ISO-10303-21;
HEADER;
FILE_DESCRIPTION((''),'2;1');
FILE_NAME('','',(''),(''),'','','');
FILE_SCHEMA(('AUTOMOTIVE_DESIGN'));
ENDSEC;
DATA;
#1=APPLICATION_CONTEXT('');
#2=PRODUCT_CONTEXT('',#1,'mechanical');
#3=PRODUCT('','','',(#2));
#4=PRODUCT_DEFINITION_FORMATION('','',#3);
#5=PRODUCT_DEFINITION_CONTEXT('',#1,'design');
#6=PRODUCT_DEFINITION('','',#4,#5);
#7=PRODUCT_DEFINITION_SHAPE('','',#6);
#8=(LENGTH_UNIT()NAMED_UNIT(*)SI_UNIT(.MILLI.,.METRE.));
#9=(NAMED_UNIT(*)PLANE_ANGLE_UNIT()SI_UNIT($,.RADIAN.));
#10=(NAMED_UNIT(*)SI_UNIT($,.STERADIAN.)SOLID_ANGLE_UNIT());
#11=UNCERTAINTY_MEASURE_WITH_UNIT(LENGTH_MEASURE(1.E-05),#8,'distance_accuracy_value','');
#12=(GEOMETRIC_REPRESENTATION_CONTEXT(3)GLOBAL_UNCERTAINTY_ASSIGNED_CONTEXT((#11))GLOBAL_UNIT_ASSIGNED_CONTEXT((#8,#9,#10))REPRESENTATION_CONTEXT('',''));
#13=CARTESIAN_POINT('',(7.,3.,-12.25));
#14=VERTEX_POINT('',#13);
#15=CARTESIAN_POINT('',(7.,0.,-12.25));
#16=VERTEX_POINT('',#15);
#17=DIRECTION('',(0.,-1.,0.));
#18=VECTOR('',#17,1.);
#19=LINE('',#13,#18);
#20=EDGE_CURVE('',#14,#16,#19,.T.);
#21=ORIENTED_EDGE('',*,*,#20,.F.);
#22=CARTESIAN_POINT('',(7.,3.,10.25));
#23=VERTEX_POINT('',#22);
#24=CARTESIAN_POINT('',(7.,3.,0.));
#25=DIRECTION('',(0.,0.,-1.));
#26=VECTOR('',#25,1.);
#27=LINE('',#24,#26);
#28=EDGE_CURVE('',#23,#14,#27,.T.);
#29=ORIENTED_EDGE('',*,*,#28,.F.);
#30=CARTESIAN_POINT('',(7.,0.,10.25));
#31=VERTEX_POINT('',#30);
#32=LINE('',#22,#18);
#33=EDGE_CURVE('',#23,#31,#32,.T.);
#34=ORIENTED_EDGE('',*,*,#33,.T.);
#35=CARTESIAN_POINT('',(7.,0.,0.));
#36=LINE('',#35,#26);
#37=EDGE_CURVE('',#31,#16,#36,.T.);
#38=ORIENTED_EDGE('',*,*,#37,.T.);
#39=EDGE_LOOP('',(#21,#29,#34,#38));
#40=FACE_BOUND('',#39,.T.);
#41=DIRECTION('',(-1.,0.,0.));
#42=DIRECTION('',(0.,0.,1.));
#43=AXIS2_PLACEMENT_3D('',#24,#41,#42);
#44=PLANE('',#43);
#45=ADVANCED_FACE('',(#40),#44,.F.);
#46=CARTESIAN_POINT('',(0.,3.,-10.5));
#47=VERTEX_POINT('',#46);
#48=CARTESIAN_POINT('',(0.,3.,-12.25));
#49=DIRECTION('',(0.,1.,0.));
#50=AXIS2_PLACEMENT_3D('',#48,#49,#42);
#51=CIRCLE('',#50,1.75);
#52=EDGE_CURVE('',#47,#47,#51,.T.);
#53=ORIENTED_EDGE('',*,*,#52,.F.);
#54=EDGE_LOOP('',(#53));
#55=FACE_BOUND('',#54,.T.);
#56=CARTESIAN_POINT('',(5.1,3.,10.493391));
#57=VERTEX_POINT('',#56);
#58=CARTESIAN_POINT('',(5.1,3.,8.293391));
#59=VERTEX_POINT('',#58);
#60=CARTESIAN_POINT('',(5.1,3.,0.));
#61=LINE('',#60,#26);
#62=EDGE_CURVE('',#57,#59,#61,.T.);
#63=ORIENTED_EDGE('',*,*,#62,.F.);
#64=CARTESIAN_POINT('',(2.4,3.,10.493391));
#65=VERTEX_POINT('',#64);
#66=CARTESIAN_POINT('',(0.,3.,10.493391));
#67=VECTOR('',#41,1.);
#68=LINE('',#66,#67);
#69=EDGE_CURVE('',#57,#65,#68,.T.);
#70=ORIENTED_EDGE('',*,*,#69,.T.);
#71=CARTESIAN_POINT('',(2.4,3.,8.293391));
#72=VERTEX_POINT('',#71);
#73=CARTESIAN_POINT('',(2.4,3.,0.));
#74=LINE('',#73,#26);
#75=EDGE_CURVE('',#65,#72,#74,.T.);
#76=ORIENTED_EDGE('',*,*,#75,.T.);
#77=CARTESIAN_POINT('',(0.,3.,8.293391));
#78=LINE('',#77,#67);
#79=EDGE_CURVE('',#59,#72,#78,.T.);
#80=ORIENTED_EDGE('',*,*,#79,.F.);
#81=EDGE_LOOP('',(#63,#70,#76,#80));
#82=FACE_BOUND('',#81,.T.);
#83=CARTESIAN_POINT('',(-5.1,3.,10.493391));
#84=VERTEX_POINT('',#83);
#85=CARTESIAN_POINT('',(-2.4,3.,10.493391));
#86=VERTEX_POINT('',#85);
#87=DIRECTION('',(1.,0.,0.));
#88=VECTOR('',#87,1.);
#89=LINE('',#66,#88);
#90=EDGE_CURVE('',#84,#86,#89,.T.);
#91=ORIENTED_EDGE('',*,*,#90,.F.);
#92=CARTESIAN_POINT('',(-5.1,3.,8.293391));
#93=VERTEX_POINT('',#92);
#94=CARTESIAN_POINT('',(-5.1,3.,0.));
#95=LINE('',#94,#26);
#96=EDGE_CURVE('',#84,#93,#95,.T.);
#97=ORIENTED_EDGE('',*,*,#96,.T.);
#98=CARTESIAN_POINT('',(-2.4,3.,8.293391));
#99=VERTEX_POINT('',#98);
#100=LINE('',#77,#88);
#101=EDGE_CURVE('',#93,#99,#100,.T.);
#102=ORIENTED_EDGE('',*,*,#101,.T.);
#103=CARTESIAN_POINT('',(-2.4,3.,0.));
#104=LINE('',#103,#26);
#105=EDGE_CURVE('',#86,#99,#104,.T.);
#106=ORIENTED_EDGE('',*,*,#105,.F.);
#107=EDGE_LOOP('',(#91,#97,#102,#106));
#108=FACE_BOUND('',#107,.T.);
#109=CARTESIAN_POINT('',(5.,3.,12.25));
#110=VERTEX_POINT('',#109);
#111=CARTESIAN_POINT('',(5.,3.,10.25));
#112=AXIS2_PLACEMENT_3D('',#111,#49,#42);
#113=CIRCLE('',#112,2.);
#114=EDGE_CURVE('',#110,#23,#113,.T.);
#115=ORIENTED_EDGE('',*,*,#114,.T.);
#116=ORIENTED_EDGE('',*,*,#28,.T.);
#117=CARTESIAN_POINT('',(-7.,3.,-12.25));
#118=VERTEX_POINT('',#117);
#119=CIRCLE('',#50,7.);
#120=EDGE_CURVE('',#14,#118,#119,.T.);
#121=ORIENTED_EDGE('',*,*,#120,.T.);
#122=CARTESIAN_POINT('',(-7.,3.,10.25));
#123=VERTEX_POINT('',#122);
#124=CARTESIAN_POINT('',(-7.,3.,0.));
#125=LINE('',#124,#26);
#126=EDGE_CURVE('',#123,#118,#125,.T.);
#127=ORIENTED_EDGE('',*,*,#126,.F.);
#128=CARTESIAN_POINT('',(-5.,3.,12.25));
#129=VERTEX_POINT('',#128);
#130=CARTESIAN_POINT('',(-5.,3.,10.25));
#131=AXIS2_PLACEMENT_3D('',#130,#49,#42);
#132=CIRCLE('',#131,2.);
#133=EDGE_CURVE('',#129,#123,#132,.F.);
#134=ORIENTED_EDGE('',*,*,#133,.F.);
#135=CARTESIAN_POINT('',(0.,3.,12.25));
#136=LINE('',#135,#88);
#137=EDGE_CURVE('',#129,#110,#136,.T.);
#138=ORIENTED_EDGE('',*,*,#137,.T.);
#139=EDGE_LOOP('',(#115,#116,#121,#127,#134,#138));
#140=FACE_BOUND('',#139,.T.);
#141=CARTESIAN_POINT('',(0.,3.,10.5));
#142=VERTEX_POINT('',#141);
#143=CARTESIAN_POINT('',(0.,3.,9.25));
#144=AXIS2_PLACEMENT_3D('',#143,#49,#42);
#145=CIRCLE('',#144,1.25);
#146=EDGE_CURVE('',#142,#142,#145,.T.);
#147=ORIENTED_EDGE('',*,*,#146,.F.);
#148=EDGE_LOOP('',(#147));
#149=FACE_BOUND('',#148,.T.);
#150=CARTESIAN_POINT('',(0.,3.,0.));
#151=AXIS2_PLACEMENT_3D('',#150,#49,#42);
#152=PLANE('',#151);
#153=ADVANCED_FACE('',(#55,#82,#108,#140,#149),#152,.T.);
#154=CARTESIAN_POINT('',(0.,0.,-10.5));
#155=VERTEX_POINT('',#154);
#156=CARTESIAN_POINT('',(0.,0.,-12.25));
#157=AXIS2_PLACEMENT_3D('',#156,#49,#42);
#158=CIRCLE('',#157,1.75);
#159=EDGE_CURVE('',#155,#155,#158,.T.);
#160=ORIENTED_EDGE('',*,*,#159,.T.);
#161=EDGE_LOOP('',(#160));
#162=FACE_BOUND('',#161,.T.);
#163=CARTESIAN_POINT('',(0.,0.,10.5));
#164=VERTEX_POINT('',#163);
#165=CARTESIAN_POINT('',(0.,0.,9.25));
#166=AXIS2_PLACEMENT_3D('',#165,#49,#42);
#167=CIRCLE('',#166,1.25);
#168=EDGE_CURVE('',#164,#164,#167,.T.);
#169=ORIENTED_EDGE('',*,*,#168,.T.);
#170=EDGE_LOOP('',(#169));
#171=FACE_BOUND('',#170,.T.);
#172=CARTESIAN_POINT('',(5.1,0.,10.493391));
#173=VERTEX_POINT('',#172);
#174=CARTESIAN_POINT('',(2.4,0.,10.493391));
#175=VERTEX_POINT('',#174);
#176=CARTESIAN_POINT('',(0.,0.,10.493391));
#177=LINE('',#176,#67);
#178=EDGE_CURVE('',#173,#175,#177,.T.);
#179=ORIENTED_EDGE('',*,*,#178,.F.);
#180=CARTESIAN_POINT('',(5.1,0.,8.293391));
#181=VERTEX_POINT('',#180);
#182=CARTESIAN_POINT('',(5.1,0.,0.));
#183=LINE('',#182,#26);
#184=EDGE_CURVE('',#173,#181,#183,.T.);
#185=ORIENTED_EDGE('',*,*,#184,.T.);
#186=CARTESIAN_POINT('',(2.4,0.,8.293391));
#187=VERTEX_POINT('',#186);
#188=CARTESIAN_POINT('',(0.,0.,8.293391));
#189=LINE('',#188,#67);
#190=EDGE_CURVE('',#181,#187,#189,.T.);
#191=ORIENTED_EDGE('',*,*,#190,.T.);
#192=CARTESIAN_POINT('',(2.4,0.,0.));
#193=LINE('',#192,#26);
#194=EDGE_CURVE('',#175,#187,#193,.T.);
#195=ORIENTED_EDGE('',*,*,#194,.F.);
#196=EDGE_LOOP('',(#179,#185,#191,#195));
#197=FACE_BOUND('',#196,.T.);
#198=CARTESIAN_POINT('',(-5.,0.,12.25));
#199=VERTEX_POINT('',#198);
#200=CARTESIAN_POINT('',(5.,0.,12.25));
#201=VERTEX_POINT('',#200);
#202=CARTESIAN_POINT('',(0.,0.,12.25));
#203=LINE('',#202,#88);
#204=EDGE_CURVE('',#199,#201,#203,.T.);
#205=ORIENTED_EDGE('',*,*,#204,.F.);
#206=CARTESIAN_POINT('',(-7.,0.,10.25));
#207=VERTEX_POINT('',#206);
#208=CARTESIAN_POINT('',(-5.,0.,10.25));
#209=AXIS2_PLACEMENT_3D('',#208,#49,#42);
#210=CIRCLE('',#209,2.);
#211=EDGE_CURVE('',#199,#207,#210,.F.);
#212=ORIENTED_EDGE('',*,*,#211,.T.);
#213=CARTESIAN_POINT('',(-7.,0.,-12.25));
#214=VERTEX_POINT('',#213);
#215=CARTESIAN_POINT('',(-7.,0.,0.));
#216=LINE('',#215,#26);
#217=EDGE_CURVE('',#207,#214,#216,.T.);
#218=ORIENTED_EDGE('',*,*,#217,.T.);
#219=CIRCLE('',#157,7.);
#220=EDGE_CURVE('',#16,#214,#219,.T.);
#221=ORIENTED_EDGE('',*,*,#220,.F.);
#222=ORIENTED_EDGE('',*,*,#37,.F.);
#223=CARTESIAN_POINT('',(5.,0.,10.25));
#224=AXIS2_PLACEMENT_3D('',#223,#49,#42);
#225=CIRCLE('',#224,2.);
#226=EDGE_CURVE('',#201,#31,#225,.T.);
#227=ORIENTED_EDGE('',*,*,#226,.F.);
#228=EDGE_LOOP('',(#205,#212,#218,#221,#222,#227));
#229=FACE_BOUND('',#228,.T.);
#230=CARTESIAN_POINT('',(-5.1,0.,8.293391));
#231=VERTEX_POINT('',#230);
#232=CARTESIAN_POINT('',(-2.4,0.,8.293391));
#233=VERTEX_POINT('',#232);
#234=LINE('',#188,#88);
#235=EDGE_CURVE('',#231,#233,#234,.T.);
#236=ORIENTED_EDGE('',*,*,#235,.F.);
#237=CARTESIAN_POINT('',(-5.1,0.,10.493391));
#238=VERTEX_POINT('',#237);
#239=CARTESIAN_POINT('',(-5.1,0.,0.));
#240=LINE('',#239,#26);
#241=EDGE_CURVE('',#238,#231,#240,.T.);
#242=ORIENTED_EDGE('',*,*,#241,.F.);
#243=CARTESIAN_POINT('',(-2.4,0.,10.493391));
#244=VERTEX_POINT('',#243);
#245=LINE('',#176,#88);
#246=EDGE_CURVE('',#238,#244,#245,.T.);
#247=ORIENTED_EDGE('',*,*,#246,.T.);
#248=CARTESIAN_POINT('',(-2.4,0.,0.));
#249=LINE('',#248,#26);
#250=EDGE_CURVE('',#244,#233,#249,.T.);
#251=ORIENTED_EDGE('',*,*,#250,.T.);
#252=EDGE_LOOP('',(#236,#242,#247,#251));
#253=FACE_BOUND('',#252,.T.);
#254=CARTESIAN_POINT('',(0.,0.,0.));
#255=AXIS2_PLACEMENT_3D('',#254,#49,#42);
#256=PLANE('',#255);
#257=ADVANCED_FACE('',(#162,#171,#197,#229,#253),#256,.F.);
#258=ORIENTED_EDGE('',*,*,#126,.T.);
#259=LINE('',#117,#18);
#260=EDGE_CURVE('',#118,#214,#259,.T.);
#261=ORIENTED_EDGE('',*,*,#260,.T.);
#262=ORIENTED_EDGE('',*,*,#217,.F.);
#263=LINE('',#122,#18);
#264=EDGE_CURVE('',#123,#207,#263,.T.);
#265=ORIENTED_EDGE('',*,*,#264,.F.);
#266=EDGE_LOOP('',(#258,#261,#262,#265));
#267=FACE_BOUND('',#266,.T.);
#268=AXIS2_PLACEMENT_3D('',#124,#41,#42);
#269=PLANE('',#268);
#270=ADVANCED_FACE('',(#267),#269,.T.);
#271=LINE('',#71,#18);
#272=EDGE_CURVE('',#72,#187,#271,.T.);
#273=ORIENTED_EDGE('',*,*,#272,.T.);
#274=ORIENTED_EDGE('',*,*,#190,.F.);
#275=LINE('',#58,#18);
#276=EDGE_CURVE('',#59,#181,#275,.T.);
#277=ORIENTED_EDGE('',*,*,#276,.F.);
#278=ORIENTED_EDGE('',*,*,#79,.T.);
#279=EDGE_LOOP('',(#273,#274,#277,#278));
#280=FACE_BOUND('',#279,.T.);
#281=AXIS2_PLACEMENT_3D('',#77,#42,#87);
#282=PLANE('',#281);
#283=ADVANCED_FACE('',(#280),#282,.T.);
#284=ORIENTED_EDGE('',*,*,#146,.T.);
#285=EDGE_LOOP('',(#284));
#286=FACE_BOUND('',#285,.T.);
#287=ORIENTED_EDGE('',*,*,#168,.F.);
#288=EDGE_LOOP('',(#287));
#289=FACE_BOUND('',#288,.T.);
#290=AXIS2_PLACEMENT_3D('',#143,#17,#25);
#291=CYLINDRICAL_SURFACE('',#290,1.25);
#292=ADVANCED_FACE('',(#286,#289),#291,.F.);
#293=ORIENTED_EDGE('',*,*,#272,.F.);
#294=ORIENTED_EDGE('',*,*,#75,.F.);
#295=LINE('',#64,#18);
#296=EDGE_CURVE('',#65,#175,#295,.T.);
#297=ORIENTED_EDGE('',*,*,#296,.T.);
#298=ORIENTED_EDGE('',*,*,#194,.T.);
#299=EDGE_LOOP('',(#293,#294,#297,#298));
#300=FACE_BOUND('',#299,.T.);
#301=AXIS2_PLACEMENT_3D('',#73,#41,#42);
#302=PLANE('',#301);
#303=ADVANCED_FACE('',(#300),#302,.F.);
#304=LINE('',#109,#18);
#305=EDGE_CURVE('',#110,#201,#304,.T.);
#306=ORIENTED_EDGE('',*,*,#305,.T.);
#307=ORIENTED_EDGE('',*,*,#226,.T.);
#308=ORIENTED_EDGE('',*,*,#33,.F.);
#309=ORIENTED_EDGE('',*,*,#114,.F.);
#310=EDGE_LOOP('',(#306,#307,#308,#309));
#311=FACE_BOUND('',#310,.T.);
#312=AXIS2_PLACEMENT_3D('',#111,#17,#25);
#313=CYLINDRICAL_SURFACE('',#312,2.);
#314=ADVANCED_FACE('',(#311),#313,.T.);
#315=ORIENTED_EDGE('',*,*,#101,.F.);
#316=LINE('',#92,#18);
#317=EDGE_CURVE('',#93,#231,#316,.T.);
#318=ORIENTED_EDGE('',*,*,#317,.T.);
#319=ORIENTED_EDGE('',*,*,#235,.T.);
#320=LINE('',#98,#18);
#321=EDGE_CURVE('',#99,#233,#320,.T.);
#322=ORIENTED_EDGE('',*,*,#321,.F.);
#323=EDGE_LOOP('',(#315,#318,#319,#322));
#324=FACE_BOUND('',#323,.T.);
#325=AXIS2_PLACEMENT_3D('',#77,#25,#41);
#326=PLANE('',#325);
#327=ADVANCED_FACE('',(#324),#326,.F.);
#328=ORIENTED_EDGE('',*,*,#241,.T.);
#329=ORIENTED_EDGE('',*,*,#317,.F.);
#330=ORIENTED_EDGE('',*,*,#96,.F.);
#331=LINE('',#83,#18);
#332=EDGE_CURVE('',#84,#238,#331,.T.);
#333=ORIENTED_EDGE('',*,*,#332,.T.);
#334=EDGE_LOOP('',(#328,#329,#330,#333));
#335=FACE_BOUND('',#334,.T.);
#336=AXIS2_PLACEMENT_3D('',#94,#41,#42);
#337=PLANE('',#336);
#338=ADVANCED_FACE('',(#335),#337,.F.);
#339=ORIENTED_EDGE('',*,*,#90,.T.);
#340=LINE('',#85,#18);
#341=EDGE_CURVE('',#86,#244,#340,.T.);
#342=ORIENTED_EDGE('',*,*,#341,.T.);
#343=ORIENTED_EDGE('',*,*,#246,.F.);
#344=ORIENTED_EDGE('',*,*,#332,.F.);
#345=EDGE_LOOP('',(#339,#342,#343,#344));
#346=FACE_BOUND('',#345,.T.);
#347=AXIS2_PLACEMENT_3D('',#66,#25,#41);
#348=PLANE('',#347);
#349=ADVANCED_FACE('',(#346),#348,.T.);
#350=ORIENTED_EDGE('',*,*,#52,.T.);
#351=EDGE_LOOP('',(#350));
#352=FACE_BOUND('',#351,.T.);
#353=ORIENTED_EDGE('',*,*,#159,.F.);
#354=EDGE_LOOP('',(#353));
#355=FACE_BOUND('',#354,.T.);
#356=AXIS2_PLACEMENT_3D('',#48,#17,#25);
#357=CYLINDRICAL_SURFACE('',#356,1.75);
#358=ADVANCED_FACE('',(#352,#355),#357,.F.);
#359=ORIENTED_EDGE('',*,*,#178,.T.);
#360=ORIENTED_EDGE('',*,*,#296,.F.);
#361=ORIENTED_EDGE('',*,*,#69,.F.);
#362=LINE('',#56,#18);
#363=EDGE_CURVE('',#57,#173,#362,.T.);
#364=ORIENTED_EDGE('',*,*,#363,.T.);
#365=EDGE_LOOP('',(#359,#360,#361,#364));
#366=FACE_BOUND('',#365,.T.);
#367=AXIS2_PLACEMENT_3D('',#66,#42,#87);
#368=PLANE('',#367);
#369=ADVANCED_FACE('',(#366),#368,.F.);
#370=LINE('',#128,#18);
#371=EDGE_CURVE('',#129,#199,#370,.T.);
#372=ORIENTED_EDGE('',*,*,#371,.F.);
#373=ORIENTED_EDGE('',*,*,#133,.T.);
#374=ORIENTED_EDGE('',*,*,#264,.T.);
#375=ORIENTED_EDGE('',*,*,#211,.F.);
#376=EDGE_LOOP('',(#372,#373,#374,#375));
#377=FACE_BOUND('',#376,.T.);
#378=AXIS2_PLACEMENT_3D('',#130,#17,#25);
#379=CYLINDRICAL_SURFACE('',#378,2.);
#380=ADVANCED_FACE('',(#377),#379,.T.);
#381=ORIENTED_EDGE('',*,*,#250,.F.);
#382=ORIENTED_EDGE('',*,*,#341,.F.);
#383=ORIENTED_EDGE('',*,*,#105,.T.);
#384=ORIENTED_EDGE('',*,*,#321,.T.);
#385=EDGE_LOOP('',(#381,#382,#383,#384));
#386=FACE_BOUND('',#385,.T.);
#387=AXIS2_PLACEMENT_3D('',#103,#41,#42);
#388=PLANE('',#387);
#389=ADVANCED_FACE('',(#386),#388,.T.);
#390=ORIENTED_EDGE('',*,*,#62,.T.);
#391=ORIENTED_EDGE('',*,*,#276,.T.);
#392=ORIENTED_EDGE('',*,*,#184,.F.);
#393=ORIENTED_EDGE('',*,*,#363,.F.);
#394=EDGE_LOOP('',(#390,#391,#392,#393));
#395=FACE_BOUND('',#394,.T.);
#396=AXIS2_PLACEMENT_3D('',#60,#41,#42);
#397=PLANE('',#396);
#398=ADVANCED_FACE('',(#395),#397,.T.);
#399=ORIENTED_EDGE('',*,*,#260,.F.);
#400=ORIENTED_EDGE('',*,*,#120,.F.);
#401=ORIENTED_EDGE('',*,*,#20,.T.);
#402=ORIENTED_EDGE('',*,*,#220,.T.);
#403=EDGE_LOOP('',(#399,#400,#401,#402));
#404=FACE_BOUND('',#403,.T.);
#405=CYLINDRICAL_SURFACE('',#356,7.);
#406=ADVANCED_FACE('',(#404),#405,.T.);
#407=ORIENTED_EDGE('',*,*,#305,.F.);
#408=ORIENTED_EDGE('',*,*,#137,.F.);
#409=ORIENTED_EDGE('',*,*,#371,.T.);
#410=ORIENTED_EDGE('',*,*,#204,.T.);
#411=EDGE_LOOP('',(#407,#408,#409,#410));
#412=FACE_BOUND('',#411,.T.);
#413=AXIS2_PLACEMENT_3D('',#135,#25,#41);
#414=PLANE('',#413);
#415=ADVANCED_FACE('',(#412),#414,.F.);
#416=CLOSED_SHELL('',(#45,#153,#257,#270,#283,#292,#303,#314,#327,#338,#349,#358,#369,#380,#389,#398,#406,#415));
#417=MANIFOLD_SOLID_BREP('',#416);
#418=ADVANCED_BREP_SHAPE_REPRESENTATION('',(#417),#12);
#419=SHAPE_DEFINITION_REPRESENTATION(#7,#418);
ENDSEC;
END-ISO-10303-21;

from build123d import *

# Parameters (mm, degrees)
SKETCH_1_W      = 2.7
SKETCH_1_H      = 2.2
SKETCH_1_R      = 1.25
SKETCH_1_R_2    = 1.75
EXTRUDE_1_DEPTH = 3


with BuildPart() as part:
    # 草图1 → 凸台-拉伸1 (new body)
    with BuildSketch(Plane(origin=(0, 0, 0), x_dir=(1, 0, 0), z_dir=(0, 1, 0))):
        with BuildLine():
            ThreePointArc((-7, -10.25), (-6.414213562, -11.664213562), (-5, -12.25))
            Line((-5, -12.25), (5, -12.25))
            ThreePointArc((5, -12.25), (6.414213562, -11.664213562), (7, -10.25))
            Line((7, -10.25), (7, 12.25))
            ThreePointArc((7, 12.25), (0, 19.25), (-7, 12.25))
            Line((-7, 12.25), (-7, -10.25))
        make_face()
        with Locations((-3.75, -9.393390946)):
            Rectangle(SKETCH_1_W, SKETCH_1_H, mode=Mode.SUBTRACT)
        with Locations((0, -9.25)):
            Circle(SKETCH_1_R, mode=Mode.SUBTRACT)
        with Locations((3.75, -9.393390946)):
            Rectangle(SKETCH_1_W, SKETCH_1_H, mode=Mode.SUBTRACT)
        with Locations((0, 12.25)):
            Circle(SKETCH_1_R_2, mode=Mode.SUBTRACT)
    extrude(amount=EXTRUDE_1_DEPTH)


solid = part.part
